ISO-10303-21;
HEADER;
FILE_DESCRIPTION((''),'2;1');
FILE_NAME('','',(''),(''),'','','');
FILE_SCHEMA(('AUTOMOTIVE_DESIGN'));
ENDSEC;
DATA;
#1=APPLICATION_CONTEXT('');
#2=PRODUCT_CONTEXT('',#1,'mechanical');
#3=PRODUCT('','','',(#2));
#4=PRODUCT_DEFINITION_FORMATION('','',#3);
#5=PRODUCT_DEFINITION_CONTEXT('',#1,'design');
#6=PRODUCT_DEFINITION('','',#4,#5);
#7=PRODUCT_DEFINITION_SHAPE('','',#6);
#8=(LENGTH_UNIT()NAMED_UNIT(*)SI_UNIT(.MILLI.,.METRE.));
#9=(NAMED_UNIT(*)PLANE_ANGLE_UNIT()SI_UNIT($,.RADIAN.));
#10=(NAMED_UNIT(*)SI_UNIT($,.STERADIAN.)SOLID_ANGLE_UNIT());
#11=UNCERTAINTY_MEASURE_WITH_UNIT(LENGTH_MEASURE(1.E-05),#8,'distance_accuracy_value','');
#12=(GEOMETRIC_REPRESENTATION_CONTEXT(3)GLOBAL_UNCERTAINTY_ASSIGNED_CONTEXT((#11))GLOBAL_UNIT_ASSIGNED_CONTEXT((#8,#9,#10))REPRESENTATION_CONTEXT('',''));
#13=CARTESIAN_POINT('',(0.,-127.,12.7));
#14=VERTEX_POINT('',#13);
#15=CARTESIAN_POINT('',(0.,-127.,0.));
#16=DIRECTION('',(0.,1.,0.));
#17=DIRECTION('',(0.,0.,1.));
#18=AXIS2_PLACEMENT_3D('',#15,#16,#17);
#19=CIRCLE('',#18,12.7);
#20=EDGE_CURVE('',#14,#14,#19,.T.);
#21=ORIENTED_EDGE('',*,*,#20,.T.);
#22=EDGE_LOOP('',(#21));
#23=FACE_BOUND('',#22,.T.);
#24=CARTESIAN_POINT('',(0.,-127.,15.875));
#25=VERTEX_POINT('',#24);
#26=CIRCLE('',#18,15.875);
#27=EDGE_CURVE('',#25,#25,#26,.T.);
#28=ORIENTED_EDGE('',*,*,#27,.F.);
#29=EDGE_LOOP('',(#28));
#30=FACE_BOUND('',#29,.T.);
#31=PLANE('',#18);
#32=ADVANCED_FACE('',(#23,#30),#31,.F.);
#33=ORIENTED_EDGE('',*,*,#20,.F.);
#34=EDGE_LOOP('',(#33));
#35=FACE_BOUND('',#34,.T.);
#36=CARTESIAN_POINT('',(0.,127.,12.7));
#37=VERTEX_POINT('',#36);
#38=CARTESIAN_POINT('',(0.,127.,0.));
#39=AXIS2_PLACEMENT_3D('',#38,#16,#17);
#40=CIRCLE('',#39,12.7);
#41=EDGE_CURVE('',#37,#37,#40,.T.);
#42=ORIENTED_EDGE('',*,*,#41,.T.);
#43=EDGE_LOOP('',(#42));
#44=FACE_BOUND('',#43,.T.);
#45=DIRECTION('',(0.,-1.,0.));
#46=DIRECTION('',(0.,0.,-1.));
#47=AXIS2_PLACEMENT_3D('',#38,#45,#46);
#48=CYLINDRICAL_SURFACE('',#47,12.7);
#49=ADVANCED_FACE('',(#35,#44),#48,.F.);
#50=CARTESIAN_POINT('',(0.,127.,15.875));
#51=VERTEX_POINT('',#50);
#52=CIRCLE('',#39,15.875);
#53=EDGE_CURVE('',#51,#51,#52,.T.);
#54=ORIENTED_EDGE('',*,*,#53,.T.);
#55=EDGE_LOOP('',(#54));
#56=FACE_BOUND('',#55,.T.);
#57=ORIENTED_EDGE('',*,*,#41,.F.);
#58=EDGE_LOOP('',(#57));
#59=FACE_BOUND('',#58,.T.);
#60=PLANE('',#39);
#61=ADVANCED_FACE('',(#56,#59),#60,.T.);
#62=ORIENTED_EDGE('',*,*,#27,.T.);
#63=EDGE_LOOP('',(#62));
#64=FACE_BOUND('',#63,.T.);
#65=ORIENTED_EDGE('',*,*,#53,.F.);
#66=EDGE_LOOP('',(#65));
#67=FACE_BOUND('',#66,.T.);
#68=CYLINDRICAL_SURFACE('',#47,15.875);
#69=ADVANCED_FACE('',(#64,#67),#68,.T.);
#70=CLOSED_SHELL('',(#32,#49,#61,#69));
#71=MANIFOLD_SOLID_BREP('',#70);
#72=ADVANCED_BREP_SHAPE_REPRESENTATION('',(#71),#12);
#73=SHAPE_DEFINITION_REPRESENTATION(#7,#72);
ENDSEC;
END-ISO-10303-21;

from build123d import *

# Parameters (mm, degrees)
SKETCH1_R           = 15.875
SKETCH1_R_2         = 12.7
BOSS_EXTRUDE1_DEPTH = 127


with BuildPart() as part:
    # Sketch1 → Boss-Extrude1 (new, symmetric)
    with BuildSketch(Plane(origin=(0, 0, 0), x_dir=(1, 0, 0), z_dir=(0, 1, 0))):
        with Locations(Location((0, 0, 0), (0, 0, 270))):
            Circle(SKETCH1_R)
        with Locations(Location((0, 0, 0), (0, 0, 270))):
            Circle(SKETCH1_R_2, mode=Mode.SUBTRACT)
    extrude(amount=BOSS_EXTRUDE1_DEPTH, both=True)


solid = part.part
